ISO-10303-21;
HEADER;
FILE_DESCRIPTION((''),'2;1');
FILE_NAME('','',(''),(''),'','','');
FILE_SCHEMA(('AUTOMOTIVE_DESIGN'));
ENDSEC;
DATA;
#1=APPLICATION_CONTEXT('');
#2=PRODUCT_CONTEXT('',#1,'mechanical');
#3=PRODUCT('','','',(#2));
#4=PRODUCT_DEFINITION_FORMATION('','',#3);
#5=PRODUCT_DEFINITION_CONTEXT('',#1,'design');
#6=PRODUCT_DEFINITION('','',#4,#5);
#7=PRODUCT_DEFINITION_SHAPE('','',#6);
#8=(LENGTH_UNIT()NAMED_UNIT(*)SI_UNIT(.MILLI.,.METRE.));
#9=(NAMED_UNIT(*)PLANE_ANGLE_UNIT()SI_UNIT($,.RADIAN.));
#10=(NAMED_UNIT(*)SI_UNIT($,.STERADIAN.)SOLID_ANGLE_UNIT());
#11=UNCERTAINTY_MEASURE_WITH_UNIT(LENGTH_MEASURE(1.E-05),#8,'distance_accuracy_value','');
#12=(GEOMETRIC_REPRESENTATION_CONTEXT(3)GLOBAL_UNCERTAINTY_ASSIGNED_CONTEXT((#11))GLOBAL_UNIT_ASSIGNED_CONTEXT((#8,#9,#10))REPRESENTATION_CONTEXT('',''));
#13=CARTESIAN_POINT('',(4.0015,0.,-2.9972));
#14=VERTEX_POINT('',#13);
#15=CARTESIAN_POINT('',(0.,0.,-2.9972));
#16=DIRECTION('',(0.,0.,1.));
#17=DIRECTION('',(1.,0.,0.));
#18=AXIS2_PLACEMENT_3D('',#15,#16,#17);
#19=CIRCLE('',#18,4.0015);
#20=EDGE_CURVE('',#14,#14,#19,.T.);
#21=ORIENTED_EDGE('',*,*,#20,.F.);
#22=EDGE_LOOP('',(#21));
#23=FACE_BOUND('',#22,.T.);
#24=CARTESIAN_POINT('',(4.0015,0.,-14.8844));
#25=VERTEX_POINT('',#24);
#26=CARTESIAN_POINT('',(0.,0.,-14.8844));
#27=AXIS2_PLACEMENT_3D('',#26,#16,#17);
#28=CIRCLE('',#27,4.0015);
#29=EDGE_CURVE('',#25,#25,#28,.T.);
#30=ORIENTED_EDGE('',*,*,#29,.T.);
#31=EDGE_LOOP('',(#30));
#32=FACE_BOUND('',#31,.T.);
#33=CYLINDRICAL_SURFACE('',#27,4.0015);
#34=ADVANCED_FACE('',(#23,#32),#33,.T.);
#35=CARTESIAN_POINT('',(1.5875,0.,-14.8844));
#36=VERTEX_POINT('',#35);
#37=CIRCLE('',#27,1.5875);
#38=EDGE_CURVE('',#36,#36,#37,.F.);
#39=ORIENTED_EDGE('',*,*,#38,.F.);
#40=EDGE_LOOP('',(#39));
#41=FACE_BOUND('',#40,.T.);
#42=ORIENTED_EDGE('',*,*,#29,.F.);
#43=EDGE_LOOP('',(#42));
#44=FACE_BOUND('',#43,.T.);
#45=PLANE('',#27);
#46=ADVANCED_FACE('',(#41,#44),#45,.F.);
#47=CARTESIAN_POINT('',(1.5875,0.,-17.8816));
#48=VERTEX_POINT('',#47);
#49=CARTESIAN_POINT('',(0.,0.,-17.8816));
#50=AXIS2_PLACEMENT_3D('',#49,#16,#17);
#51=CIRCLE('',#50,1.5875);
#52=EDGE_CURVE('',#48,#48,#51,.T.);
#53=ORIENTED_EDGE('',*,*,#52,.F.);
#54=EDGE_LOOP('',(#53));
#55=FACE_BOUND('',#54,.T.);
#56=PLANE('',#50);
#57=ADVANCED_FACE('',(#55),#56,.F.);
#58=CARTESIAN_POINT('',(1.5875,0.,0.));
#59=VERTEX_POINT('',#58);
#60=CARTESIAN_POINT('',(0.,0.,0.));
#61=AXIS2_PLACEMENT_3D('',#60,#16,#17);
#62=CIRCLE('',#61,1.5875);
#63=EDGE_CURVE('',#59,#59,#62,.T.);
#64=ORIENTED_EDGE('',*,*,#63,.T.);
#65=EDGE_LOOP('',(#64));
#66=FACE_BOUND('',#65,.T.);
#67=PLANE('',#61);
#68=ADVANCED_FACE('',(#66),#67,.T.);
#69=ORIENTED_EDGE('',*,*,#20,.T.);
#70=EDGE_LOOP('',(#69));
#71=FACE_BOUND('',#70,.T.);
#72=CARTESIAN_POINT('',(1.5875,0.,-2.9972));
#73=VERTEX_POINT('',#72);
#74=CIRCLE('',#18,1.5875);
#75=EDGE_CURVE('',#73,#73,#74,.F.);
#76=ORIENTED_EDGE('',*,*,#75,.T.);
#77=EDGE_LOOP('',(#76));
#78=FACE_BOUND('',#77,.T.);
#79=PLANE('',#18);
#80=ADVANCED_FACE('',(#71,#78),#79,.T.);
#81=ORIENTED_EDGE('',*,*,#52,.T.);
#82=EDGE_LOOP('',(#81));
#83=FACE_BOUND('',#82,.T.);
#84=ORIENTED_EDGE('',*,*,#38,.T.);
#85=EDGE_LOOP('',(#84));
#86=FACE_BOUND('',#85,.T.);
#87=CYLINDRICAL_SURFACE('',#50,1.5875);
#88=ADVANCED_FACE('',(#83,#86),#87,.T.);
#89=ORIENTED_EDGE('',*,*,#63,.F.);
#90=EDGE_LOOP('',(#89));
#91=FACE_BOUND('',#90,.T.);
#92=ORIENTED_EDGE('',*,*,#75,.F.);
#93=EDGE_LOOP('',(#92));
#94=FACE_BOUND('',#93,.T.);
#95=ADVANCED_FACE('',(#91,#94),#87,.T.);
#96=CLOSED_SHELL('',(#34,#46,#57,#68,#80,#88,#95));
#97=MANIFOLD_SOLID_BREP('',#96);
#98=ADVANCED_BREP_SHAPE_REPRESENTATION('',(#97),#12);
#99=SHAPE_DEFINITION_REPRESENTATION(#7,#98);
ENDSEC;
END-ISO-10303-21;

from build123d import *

# Parameters (mm, degrees)
SKETCH1_R           = 1.5875
BOSS_EXTRUDE1_DEPTH = 17.8816
SKETCH2_R           = 4.0015
BOSS_EXTRUDE2_DEPTH = 11.8872


with BuildPart() as part:
    # Sketch1 → Boss-Extrude1 (new body)
    with BuildSketch(Plane.XY):
        Circle(SKETCH1_R)
    extrude(amount=-BOSS_EXTRUDE1_DEPTH)

    # Sketch2 → Boss-Extrude2 (add)
    with BuildSketch(Plane.XY.offset(-2.9972)):
        Circle(SKETCH2_R)
    extrude(amount=-BOSS_EXTRUDE2_DEPTH)


solid = part.part
